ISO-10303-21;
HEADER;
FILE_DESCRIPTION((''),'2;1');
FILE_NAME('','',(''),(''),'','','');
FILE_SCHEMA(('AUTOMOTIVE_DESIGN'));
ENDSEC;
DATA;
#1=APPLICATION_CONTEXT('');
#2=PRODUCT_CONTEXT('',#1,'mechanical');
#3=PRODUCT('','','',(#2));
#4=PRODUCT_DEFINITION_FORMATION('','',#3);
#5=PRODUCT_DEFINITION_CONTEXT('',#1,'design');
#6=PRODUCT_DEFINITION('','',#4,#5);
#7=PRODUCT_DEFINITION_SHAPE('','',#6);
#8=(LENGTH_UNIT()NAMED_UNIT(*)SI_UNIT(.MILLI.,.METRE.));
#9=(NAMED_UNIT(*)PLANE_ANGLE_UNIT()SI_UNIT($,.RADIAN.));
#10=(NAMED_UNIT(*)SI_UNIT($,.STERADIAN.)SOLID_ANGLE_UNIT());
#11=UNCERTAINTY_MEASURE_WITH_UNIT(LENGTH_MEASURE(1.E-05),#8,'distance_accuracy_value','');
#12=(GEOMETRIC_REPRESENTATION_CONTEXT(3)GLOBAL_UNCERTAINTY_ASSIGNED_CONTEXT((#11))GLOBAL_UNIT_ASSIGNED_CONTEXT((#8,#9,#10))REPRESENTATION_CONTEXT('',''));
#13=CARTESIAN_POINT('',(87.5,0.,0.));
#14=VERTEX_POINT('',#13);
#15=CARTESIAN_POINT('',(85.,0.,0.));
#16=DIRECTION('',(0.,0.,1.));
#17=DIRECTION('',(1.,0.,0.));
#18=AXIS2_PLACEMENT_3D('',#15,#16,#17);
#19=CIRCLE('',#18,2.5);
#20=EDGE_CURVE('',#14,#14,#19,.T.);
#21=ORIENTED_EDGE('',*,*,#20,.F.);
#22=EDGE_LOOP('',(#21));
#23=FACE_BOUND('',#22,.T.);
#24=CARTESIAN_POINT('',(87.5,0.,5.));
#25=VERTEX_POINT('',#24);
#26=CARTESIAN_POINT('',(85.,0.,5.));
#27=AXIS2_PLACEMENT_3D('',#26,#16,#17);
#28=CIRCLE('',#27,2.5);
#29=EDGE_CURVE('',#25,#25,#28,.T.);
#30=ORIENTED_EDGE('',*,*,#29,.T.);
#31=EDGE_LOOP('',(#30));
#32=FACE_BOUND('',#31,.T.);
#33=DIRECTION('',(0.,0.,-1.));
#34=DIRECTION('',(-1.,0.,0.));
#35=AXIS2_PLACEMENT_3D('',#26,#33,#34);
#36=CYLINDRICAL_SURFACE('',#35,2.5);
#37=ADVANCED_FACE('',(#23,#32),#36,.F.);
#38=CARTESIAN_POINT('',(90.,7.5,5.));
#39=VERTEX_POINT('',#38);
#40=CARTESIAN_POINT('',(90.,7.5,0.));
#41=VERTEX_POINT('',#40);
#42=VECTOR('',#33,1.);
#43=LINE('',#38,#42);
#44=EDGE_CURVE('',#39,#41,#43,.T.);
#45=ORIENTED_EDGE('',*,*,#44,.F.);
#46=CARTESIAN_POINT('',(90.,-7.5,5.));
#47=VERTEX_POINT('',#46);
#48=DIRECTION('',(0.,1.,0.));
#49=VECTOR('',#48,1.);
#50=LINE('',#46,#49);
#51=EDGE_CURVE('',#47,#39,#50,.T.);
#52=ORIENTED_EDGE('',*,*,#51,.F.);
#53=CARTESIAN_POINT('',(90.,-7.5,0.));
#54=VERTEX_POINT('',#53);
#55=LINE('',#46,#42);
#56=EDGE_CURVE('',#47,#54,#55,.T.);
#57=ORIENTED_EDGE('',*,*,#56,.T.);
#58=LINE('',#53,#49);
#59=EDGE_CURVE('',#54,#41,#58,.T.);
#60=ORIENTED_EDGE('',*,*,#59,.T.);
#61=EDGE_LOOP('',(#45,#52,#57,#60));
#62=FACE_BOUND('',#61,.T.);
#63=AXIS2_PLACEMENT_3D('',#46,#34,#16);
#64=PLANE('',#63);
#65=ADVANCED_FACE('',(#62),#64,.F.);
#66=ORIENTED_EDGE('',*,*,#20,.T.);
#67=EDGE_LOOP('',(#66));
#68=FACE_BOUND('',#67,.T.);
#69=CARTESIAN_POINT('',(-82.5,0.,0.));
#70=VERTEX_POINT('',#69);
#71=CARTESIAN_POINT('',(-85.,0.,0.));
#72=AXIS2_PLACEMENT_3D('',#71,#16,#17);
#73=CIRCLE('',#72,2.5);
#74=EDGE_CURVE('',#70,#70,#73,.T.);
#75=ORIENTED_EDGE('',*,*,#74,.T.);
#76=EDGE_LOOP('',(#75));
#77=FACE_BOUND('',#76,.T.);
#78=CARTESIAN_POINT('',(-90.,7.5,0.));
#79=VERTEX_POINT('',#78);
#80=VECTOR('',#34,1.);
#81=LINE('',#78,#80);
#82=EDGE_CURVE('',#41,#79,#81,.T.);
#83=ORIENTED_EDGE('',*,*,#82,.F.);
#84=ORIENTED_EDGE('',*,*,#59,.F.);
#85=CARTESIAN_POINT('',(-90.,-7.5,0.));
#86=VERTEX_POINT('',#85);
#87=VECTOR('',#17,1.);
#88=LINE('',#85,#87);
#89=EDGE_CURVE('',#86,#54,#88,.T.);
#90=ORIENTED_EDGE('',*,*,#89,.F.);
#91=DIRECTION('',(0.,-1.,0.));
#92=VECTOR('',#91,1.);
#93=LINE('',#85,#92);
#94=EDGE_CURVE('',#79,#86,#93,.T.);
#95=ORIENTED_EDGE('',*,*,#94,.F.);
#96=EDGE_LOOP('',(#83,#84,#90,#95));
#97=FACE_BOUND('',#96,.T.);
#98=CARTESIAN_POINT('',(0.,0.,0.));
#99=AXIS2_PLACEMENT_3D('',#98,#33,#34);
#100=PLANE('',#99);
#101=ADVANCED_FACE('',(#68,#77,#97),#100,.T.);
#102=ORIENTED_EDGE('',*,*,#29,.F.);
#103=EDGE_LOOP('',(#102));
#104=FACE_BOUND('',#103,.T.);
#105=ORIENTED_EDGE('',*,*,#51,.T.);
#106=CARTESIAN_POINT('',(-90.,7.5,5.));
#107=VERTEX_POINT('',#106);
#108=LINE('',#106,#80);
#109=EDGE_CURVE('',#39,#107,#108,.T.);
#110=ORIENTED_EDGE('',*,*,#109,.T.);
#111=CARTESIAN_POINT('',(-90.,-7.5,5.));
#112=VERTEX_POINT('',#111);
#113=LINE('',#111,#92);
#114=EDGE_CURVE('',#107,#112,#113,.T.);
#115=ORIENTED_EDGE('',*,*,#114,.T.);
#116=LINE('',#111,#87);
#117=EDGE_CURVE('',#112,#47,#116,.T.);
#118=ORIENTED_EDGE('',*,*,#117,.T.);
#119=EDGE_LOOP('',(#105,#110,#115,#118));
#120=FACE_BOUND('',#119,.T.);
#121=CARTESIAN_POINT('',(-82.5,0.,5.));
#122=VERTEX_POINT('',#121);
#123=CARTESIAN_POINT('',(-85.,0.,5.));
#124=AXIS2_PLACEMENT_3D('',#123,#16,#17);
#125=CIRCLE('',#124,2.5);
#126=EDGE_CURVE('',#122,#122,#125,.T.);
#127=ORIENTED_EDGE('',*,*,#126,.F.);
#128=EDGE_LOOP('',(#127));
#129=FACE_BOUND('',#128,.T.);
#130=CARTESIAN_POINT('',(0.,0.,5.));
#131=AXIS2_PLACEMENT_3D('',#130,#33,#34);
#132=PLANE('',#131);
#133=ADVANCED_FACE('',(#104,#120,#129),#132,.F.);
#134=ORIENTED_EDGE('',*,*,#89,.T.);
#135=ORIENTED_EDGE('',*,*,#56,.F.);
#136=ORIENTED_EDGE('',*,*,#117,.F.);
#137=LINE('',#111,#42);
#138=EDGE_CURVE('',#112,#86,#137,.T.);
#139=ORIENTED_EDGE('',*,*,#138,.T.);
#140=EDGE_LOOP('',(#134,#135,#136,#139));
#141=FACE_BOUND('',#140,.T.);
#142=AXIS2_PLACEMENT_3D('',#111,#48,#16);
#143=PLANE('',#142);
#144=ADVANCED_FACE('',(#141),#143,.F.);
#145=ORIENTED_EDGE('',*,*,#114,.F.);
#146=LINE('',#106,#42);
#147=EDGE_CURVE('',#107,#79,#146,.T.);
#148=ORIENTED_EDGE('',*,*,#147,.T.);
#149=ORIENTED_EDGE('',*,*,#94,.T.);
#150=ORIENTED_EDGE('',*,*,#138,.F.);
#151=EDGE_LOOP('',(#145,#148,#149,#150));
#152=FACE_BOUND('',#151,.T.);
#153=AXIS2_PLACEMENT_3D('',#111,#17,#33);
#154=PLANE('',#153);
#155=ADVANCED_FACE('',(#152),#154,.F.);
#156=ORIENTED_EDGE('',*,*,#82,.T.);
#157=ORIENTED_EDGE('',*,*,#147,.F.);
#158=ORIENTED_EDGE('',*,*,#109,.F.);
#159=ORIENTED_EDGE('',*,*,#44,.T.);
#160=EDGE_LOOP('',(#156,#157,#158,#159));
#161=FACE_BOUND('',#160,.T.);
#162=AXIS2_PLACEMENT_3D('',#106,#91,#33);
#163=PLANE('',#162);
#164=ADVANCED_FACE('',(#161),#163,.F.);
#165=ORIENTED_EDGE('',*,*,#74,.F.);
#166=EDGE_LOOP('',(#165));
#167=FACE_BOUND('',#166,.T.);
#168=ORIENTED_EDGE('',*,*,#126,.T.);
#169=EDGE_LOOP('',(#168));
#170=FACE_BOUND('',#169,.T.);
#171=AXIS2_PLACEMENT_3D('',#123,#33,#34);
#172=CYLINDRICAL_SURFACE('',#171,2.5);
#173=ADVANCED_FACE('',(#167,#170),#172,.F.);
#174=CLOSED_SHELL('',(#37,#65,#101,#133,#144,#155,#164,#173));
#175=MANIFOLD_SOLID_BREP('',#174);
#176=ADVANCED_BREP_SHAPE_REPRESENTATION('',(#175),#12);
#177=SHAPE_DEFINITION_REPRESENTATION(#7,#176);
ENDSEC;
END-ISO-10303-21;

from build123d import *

# Parameters (mm, degrees)
SKETCH1_W           = 180
SKETCH1_H           = 15
SKETCH1_R           = 2.5
BOSS_EXTRUDE1_DEPTH = 5


with BuildPart() as part:
    # Sketch1 → Boss-Extrude1 (new body)
    with BuildSketch(Plane.XY):
        Rectangle(SKETCH1_W, SKETCH1_H)
        with Locations((85, 0)):
            Circle(SKETCH1_R, mode=Mode.SUBTRACT)
        with Locations((-85, 0)):
            Circle(SKETCH1_R, mode=Mode.SUBTRACT)
    extrude(amount=BOSS_EXTRUDE1_DEPTH)


solid = part.part
